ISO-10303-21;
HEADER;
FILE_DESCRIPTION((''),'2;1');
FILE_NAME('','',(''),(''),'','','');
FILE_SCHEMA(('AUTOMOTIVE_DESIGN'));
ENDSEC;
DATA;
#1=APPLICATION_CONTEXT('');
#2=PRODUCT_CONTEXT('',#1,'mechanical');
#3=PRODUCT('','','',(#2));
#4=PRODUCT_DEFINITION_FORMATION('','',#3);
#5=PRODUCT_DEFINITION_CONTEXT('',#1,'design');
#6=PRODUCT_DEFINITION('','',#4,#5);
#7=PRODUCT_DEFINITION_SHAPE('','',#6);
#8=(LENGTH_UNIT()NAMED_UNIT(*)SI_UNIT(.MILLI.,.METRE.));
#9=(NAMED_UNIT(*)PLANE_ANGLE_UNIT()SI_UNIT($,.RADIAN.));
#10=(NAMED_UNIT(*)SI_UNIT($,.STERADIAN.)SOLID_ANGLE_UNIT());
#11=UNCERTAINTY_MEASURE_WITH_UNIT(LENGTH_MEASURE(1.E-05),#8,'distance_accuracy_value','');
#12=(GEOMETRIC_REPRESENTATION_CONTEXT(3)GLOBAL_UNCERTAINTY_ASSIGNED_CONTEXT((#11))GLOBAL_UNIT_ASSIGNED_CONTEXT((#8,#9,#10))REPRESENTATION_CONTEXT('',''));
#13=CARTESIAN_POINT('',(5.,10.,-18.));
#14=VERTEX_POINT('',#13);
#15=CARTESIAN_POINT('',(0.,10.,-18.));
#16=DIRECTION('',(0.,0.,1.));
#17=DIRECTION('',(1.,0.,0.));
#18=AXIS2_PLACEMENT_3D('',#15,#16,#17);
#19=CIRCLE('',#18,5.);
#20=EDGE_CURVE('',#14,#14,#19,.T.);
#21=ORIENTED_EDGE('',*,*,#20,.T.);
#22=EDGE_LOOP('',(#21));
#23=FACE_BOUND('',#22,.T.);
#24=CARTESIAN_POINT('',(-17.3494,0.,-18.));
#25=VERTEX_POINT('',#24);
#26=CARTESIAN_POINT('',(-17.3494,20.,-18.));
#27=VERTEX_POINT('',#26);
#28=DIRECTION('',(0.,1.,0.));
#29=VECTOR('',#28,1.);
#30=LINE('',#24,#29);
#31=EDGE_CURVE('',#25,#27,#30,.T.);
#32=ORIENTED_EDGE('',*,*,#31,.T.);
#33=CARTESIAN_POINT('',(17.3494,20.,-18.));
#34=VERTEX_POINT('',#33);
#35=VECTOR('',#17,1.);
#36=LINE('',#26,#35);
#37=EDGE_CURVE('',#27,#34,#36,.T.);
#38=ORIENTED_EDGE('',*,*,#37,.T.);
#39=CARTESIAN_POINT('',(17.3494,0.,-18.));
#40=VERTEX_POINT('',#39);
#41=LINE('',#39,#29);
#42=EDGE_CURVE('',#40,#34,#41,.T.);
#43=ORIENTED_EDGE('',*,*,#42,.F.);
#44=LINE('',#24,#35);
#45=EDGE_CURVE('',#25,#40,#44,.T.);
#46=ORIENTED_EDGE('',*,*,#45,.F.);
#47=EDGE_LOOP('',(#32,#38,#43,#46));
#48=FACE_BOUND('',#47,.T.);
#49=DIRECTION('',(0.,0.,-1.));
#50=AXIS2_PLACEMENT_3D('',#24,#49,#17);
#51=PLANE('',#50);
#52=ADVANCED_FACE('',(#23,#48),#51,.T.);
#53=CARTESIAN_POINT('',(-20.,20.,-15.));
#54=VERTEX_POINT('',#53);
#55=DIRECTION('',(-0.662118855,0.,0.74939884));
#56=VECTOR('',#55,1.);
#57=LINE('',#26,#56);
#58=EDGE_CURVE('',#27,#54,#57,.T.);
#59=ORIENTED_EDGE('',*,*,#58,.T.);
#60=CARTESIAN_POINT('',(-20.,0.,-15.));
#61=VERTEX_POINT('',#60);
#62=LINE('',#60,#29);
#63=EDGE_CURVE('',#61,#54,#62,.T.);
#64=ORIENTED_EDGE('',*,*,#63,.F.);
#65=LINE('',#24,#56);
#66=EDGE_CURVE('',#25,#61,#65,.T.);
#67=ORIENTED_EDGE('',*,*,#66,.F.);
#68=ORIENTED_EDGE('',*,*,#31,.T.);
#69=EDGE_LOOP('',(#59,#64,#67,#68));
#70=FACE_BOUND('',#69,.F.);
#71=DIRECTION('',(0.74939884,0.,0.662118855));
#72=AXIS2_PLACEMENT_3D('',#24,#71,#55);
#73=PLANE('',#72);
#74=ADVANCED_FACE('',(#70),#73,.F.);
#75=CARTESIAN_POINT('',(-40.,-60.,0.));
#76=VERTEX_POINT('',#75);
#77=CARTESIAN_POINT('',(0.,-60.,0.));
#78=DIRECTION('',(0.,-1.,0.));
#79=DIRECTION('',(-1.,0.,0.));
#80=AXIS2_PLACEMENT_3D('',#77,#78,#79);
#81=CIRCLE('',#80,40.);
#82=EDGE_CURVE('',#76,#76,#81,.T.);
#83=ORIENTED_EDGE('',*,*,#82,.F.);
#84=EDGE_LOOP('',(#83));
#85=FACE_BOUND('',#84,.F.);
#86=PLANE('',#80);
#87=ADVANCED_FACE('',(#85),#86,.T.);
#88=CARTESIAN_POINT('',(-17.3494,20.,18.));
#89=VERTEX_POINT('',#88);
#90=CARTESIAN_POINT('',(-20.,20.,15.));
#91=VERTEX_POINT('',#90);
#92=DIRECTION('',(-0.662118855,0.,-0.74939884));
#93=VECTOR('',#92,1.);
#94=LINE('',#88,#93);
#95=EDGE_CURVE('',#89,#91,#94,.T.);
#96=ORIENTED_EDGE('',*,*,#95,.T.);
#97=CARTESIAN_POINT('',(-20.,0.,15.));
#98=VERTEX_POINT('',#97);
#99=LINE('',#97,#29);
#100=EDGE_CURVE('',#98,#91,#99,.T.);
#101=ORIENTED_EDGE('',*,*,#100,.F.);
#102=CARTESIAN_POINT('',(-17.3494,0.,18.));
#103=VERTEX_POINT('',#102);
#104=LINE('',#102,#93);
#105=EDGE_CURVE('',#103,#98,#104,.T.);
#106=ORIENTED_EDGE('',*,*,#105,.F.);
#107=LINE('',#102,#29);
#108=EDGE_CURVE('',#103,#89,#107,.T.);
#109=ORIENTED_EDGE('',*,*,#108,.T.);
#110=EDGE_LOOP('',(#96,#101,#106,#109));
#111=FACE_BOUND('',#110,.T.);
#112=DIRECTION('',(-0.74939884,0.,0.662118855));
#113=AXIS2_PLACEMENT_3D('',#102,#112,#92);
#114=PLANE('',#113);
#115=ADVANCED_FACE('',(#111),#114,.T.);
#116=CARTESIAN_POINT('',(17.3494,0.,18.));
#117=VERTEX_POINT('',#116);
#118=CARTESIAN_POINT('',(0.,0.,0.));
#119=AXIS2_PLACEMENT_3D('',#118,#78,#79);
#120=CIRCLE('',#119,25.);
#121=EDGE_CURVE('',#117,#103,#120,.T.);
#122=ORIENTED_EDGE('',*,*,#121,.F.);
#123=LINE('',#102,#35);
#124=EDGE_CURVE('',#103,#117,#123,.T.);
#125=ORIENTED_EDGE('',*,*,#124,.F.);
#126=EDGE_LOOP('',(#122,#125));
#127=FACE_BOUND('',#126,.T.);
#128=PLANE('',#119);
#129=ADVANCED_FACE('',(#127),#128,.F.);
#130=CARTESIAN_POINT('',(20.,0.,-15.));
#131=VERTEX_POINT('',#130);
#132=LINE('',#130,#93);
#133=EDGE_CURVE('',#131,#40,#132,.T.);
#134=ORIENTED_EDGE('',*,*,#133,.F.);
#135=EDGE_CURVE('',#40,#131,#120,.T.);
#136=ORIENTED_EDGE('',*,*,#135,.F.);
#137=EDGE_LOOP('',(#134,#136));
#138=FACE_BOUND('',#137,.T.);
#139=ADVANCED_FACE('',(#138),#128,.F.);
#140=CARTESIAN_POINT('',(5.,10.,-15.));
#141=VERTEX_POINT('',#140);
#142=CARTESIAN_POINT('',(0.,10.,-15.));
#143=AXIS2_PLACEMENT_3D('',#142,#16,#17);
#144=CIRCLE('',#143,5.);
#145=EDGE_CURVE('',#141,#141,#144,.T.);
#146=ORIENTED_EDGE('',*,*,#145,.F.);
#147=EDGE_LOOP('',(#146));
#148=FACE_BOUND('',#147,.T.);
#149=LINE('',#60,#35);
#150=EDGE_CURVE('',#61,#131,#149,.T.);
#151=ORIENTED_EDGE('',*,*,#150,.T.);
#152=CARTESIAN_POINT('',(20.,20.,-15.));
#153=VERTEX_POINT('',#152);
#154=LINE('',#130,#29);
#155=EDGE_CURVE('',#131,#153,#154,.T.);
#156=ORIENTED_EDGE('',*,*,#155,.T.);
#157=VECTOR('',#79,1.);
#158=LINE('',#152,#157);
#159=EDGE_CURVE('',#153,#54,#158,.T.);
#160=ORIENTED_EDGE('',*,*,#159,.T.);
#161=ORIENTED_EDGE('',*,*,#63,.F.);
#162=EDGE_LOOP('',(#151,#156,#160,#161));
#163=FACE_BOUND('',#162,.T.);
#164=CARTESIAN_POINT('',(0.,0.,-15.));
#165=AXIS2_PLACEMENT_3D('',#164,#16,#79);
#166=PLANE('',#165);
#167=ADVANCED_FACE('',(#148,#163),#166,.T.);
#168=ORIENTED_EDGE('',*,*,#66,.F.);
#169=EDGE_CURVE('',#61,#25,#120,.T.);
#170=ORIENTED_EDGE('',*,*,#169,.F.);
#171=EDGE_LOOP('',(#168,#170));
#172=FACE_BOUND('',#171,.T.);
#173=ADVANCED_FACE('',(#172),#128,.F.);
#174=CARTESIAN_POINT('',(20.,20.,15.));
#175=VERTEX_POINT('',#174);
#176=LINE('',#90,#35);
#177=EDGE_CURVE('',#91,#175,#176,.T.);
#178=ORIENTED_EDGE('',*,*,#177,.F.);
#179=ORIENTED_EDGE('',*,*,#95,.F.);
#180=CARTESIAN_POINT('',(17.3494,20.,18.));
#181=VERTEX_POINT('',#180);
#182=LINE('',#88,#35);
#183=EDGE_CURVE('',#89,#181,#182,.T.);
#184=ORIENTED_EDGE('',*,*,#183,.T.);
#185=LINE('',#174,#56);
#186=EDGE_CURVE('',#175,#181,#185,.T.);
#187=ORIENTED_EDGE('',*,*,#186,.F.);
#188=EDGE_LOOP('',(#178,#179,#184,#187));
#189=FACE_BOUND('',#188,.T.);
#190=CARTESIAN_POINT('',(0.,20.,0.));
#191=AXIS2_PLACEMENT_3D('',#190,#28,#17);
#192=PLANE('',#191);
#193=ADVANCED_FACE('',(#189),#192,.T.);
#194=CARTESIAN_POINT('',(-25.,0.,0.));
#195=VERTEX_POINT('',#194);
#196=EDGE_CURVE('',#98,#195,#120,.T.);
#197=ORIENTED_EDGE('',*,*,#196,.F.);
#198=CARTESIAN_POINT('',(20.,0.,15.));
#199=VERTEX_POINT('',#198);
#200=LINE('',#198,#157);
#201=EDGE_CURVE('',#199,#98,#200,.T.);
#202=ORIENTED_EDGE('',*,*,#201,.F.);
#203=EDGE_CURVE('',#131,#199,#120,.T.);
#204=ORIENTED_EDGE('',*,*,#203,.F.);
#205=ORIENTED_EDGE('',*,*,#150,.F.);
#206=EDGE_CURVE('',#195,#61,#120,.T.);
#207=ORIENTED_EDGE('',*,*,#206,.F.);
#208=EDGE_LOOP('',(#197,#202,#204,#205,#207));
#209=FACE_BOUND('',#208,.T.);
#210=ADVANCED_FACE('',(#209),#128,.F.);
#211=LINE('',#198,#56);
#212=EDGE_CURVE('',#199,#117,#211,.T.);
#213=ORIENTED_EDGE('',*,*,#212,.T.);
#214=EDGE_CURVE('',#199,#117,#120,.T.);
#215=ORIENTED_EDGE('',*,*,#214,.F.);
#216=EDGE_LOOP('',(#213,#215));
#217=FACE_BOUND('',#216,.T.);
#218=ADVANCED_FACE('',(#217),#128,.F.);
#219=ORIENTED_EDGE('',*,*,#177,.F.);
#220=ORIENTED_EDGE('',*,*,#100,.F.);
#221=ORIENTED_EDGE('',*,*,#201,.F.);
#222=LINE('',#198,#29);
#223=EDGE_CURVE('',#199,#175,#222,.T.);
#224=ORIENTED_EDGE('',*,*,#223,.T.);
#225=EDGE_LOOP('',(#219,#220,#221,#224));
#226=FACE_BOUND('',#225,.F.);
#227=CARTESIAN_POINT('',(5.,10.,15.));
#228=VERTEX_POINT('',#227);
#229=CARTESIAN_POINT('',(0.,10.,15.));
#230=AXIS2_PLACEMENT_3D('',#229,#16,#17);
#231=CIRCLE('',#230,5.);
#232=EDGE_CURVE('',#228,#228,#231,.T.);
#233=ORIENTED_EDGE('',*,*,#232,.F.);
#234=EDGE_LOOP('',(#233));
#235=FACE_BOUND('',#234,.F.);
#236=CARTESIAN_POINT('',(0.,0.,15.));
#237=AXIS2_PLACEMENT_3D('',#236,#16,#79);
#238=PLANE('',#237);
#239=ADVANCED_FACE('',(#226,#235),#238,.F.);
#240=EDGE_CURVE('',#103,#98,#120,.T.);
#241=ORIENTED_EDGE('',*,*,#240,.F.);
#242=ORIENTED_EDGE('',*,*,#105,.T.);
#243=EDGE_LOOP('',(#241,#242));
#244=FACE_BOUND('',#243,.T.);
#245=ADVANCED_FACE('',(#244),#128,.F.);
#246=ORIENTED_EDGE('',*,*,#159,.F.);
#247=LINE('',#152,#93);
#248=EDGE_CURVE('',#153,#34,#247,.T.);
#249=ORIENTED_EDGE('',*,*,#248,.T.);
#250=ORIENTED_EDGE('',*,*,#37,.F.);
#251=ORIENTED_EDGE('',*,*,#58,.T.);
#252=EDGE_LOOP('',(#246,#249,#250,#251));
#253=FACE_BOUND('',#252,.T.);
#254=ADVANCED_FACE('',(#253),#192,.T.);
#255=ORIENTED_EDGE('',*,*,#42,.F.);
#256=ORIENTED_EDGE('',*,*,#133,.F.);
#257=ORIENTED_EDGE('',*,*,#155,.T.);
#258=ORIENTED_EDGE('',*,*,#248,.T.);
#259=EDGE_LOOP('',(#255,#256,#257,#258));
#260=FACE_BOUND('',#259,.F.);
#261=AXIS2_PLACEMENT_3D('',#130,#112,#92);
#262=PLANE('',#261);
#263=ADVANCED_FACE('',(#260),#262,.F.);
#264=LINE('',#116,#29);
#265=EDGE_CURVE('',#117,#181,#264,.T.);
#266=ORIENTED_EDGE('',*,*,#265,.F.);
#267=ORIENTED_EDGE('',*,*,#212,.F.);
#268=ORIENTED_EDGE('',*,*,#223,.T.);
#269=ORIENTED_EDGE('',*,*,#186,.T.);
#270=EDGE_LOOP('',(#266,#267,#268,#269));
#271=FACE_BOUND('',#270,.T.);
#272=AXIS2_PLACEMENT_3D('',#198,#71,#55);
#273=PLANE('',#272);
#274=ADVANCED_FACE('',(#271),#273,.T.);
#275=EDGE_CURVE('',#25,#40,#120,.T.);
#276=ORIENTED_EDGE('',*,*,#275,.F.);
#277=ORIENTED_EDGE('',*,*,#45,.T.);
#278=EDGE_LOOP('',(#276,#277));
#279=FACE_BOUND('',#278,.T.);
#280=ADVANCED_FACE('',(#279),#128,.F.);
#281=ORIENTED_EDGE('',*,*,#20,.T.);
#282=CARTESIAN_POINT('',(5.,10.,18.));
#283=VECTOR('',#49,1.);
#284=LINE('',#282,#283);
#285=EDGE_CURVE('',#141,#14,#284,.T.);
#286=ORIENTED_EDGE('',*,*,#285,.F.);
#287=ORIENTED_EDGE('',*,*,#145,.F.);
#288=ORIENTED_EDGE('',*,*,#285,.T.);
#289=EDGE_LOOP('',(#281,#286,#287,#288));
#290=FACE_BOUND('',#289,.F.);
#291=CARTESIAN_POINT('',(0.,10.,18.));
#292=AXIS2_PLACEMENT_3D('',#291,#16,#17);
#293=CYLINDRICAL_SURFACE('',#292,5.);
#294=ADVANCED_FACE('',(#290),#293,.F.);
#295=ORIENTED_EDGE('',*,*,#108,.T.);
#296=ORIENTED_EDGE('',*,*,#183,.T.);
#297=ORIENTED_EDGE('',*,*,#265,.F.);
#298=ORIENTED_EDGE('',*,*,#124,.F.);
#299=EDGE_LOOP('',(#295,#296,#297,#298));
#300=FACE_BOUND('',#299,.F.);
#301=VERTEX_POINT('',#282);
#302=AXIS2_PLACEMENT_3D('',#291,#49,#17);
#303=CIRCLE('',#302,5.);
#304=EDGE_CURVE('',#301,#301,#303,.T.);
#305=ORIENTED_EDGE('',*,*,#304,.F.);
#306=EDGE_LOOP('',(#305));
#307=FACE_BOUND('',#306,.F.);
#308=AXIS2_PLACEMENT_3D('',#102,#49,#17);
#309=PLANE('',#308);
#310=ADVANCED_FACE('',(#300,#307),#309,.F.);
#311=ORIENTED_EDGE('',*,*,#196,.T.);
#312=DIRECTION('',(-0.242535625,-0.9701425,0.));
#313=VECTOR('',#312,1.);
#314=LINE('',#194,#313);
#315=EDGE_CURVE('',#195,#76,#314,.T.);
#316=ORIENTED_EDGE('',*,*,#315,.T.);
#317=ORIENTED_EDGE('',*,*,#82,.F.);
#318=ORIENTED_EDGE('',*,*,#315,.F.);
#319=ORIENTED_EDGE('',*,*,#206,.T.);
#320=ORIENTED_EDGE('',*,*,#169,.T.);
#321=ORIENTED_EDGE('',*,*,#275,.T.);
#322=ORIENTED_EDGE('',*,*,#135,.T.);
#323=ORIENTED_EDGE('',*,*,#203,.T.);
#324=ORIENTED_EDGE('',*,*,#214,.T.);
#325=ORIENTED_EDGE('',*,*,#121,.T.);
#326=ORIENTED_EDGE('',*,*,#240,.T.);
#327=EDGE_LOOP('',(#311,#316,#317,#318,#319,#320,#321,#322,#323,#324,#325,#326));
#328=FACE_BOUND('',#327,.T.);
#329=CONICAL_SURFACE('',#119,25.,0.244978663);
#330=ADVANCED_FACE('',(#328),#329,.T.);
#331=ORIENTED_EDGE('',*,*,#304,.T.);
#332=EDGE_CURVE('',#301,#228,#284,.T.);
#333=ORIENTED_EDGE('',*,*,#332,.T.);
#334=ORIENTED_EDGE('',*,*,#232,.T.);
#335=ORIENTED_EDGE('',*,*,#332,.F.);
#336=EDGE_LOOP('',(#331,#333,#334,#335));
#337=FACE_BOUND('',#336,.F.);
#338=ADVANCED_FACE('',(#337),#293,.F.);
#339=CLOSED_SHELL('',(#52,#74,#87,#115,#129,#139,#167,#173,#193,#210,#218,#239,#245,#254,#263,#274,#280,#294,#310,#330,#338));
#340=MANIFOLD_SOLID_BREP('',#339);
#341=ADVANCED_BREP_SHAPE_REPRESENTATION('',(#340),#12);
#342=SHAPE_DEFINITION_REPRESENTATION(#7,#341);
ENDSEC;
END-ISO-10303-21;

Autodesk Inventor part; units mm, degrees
ref_plane "YZ Plane" through (0, 0, 0) normal (1, 0, 0) x (0, 1, 0)
ref_plane "XZ Plane" through (0, 0, 0) normal (0, 1, 0) x (-1, 0, 0)
ref_plane "XY Plane" through (0, 0, 0) normal (0, 0, 1) x (1, 0, 0)
sketch "Sketch1" plane through (0, 0, 0) normal (0, 0, 1) x (1, 0, 0)
  line L0 (0, 0) -> (0, -60)
  line L1 (0, -60) -> (-40, -60)
  line L2 (0, 0) -> (-25, 0)
  line L3 (-25, 0) -> (-40, -60)
  dimension "d0" = 40
  dimension "d1" = 25
  dimension "d2" = 60
revolve "Revolution1" add sketch "Sketch1" angle 360 about axis through (0, 0, 0) along (0, -1, 0)
sketch "Sketch2" plane through (0, 0, 0) normal (0, 1, 0) x (1, 0, 0)
  line L0 (0, 0) -> (0, 15)
  line L1 (0, 15) -> (-20, 15)
  circle A0 centre (0, 0) radius 25 projected
  line L2 (0, 15) -> (20, 15)
  line L3 (0, 0) -> (-17.5771, 0)
  line L4 (0, -15) -> (-20, -15)
  line L5 (0, -15) -> (20, -15)
  line L6 (-17.3494, -18) -> (17.3494, -18)
  line L7 (-17.3494, -18) -> (-20, -15)
  line L8 (20, -15) -> (17.3494, -18)
  line L9 (0, 0) -> (12.1648, 0)
  line L10 (-17.3494, 18) -> (17.3494, 18)
  line L11 (-17.3494, 18) -> (-20, 15)
  line L12 (20, 15) -> (17.3494, 18)
  dimension "d4" = 15
  dimension "d10" = 3
extrude "Extrusion1" add sketch "Sketch2" along normal blind 20 contours L1 L11 L10 L12 L2 | L4 L5 L8 L6 L7
sketch "Sketch3" plane through (-17.3494, 0, 18) normal (0, 0, 1) x (1, 0, 0)
  line L0 (34.6987, 0) -> (34.6987, 20) projected
  line L1 (0, 0) -> (0, 20) projected
  line L2 (34.6987, 20) -> (0, 0)
  line L3 (34.6987, 0) -> (0, 0) projected
  line L4 (34.6987, 0) -> (0, 20)
  circle A0 centre (17.3494, 10) radius 5
  point P0 (17.3494, 0)
  dimension "d7" = 10
extrude "Extrusion2" cut sketch "Sketch3" against normal blind 60 contours A0 L2 L4 | L4 L2 A0 | L2 L4 A0 | A0 L4 L2
properties part number "base"
